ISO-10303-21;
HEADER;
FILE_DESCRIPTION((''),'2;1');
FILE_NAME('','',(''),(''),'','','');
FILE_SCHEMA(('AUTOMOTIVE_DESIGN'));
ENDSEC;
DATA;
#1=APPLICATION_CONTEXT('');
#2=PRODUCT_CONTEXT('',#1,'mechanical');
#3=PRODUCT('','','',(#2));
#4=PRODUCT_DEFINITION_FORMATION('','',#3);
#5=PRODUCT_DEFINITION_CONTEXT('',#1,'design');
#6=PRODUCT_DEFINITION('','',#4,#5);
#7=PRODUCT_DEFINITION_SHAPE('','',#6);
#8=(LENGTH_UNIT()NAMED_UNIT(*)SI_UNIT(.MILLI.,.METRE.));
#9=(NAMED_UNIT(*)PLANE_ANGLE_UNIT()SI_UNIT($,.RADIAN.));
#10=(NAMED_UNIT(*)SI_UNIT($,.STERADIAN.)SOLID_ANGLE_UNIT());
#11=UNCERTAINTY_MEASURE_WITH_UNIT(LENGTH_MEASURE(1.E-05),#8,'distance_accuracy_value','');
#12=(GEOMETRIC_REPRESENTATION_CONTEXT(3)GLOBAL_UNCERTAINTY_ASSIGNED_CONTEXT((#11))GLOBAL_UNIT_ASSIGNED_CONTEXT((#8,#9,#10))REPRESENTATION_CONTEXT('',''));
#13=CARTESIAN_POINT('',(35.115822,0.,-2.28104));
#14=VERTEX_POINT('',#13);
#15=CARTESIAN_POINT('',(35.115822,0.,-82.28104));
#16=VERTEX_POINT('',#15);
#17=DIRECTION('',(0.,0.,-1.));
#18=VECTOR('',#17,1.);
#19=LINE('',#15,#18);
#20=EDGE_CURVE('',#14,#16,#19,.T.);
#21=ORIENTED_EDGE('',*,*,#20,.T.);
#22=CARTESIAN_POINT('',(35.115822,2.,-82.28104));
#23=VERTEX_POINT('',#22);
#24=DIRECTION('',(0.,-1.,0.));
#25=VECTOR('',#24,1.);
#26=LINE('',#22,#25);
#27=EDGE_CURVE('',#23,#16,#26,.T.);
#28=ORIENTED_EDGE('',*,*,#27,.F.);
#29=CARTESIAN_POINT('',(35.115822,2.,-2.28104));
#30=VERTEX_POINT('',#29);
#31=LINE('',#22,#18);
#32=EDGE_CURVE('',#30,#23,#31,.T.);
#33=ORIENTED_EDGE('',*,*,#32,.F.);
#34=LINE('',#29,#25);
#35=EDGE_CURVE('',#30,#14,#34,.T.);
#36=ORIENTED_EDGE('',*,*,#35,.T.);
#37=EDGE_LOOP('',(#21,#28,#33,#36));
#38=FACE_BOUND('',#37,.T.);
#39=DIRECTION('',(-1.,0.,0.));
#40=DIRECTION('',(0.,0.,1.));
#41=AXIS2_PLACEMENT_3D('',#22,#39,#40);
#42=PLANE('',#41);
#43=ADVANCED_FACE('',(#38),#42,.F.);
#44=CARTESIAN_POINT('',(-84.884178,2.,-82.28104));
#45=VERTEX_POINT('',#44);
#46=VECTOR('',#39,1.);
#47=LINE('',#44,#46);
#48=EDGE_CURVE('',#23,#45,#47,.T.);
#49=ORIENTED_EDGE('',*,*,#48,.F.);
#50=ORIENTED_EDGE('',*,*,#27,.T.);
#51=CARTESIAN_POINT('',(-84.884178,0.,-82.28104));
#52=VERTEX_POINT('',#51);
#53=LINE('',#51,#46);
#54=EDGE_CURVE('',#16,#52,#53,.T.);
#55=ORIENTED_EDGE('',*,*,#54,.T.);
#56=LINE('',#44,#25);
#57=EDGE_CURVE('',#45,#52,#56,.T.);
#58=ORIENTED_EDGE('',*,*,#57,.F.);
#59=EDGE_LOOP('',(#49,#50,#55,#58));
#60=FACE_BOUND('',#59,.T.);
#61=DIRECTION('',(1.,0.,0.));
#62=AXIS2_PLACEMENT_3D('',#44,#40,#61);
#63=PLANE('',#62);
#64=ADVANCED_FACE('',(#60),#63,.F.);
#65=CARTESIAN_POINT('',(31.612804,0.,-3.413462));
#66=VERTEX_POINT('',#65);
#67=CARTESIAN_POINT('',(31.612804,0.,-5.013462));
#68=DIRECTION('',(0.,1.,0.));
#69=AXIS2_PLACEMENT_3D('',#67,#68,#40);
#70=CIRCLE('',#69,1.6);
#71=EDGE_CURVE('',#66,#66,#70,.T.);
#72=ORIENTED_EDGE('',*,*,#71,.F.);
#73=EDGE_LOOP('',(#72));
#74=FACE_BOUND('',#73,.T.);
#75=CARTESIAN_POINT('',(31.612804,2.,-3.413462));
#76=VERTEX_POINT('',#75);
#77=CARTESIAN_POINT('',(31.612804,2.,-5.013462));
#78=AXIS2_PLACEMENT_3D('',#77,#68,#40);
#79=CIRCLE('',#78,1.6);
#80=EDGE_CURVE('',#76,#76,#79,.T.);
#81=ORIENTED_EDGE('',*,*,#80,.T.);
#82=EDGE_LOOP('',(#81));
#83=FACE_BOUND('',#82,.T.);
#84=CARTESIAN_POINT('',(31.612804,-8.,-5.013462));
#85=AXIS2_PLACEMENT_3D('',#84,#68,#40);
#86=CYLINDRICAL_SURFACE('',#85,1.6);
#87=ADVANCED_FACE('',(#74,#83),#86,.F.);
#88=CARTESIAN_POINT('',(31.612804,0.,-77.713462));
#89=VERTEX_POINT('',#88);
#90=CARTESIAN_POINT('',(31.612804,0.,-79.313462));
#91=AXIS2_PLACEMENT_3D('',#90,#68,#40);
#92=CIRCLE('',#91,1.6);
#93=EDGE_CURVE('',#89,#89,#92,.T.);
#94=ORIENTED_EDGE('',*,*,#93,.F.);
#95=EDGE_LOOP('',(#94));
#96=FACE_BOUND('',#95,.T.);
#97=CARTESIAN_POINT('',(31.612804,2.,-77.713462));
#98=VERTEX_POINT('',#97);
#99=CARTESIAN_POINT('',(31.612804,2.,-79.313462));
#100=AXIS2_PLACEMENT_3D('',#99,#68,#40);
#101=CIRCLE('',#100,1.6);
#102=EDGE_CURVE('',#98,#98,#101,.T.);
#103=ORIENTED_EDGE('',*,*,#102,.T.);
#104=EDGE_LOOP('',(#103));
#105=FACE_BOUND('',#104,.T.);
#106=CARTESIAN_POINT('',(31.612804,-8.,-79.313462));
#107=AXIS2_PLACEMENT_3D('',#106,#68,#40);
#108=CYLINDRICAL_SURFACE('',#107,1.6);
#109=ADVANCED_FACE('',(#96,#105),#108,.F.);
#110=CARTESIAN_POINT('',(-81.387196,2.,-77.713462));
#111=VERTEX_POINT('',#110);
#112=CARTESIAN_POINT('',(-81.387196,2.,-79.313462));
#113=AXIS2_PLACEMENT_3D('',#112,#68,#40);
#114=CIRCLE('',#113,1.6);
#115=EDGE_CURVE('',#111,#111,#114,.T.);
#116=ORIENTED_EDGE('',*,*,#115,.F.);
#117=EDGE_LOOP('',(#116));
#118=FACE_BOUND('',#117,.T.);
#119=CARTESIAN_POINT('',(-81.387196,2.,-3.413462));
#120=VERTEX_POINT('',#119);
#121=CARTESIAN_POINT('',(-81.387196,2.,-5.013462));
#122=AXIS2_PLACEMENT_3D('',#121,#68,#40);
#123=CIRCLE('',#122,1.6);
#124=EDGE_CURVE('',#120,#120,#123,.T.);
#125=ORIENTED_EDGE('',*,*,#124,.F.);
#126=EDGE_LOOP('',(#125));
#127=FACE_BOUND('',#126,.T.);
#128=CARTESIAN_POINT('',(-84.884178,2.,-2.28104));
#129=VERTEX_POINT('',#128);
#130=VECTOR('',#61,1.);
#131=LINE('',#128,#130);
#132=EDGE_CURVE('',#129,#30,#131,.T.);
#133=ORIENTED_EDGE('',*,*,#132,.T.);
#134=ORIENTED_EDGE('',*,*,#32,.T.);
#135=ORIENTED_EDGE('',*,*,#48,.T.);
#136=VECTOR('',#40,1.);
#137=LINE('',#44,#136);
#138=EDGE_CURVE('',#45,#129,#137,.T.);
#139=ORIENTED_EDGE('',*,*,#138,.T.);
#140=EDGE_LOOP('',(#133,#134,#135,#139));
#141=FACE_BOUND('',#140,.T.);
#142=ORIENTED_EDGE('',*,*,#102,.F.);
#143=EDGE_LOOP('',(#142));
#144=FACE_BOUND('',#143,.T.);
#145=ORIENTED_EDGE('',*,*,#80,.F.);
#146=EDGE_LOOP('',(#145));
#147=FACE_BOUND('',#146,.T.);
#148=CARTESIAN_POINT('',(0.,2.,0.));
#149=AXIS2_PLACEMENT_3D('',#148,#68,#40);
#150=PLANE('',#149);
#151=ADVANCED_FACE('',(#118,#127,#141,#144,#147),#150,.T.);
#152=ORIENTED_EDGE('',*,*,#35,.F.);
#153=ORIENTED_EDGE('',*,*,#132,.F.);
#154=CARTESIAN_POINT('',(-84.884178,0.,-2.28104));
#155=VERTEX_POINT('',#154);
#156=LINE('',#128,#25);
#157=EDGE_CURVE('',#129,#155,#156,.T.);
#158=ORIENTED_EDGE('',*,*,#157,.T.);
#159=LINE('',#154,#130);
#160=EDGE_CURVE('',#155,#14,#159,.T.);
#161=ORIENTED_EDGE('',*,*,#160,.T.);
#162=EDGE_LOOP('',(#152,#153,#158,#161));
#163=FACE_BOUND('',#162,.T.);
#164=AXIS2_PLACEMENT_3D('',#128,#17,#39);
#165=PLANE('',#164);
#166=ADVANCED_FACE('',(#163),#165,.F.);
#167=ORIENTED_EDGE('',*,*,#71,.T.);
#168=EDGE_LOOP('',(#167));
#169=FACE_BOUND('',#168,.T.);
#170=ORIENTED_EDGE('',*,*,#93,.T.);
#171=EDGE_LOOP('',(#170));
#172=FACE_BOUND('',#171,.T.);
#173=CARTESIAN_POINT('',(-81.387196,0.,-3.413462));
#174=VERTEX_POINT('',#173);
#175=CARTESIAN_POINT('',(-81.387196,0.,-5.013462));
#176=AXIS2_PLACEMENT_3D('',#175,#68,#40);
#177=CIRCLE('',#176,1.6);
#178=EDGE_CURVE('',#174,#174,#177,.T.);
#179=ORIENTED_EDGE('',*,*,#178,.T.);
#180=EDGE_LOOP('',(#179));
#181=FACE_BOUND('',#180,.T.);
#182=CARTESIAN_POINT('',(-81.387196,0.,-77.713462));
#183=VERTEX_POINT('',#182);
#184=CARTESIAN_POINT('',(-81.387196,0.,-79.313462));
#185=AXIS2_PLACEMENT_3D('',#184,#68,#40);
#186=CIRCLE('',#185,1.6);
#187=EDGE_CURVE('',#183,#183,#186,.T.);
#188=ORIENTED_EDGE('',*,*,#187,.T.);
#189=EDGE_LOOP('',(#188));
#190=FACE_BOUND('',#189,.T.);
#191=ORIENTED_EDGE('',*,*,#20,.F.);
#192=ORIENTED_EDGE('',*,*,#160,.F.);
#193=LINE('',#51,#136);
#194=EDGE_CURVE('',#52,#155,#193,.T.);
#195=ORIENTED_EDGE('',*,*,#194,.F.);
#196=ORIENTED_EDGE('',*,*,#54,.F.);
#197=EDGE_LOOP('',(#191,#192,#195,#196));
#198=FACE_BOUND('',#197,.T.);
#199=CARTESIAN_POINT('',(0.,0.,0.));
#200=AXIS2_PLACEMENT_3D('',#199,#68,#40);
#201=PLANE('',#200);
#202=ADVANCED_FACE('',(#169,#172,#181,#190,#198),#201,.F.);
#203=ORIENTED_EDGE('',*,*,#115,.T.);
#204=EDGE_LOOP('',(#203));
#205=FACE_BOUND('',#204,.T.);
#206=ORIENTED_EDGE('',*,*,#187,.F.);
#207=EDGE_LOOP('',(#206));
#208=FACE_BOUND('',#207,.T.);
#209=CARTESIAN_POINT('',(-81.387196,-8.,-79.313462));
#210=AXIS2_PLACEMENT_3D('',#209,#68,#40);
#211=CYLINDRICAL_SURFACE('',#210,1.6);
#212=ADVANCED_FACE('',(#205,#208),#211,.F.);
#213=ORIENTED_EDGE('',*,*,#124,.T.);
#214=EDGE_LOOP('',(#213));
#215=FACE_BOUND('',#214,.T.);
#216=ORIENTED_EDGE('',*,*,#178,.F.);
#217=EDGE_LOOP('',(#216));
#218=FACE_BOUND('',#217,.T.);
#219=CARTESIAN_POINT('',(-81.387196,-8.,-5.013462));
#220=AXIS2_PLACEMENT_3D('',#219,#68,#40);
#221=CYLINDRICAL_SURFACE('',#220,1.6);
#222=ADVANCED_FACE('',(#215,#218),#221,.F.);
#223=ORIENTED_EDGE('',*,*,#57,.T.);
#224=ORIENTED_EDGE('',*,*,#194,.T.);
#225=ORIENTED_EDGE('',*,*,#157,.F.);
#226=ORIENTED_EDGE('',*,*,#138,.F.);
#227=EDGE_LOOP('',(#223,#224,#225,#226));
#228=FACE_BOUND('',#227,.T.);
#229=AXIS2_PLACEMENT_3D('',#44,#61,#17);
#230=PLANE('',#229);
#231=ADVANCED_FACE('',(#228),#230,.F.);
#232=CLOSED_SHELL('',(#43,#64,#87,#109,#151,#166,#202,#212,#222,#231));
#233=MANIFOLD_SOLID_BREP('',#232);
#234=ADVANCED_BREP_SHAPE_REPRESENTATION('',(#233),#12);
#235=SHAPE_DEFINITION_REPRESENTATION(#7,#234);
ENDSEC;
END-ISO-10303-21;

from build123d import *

# Parameters (mm, degrees)
SKETCH_1_W          = 120
SKETCH_1_H          = 80
EXTRUDE_1_DEPTH     = 2
SKETCH_2_R          = 1.6
CUT_EXTRUDE_1_DEPTH = 10


with BuildPart() as part:
    # 草图1 → 凸台-拉伸1 (new body)
    with BuildSketch(Plane(origin=(0, 0, 0), x_dir=(1, 0, 0), z_dir=(0, 1, 0))):
        with Locations((-24.884178173, 42.281040329)):
            Rectangle(SKETCH_1_W, SKETCH_1_H)
    extrude(amount=EXTRUDE_1_DEPTH)

    # 草图2 → 切除-拉伸1 (cut)
    with BuildSketch(Plane(origin=(0, 2, 0), x_dir=(1, 0, 0), z_dir=(0, 1, 0))):
        with Locations(Location((-81.387195753, 79.313462432, 0), (0, 0, 270))):
            Circle(SKETCH_2_R)
        with Locations(Location((-81.387195753, 5.013462432, 0), (0, 0, 270))):
            Circle(SKETCH_2_R)
        with Locations(Location((31.612804247, 5.013462432, 0), (0, 0, 270))):
            Circle(SKETCH_2_R)
        with Locations(Location((31.612804247, 79.313462432, 0), (0, 0, 270))):
            Circle(SKETCH_2_R)
    extrude(amount=-CUT_EXTRUDE_1_DEPTH, mode=Mode.SUBTRACT)


solid = part.part
